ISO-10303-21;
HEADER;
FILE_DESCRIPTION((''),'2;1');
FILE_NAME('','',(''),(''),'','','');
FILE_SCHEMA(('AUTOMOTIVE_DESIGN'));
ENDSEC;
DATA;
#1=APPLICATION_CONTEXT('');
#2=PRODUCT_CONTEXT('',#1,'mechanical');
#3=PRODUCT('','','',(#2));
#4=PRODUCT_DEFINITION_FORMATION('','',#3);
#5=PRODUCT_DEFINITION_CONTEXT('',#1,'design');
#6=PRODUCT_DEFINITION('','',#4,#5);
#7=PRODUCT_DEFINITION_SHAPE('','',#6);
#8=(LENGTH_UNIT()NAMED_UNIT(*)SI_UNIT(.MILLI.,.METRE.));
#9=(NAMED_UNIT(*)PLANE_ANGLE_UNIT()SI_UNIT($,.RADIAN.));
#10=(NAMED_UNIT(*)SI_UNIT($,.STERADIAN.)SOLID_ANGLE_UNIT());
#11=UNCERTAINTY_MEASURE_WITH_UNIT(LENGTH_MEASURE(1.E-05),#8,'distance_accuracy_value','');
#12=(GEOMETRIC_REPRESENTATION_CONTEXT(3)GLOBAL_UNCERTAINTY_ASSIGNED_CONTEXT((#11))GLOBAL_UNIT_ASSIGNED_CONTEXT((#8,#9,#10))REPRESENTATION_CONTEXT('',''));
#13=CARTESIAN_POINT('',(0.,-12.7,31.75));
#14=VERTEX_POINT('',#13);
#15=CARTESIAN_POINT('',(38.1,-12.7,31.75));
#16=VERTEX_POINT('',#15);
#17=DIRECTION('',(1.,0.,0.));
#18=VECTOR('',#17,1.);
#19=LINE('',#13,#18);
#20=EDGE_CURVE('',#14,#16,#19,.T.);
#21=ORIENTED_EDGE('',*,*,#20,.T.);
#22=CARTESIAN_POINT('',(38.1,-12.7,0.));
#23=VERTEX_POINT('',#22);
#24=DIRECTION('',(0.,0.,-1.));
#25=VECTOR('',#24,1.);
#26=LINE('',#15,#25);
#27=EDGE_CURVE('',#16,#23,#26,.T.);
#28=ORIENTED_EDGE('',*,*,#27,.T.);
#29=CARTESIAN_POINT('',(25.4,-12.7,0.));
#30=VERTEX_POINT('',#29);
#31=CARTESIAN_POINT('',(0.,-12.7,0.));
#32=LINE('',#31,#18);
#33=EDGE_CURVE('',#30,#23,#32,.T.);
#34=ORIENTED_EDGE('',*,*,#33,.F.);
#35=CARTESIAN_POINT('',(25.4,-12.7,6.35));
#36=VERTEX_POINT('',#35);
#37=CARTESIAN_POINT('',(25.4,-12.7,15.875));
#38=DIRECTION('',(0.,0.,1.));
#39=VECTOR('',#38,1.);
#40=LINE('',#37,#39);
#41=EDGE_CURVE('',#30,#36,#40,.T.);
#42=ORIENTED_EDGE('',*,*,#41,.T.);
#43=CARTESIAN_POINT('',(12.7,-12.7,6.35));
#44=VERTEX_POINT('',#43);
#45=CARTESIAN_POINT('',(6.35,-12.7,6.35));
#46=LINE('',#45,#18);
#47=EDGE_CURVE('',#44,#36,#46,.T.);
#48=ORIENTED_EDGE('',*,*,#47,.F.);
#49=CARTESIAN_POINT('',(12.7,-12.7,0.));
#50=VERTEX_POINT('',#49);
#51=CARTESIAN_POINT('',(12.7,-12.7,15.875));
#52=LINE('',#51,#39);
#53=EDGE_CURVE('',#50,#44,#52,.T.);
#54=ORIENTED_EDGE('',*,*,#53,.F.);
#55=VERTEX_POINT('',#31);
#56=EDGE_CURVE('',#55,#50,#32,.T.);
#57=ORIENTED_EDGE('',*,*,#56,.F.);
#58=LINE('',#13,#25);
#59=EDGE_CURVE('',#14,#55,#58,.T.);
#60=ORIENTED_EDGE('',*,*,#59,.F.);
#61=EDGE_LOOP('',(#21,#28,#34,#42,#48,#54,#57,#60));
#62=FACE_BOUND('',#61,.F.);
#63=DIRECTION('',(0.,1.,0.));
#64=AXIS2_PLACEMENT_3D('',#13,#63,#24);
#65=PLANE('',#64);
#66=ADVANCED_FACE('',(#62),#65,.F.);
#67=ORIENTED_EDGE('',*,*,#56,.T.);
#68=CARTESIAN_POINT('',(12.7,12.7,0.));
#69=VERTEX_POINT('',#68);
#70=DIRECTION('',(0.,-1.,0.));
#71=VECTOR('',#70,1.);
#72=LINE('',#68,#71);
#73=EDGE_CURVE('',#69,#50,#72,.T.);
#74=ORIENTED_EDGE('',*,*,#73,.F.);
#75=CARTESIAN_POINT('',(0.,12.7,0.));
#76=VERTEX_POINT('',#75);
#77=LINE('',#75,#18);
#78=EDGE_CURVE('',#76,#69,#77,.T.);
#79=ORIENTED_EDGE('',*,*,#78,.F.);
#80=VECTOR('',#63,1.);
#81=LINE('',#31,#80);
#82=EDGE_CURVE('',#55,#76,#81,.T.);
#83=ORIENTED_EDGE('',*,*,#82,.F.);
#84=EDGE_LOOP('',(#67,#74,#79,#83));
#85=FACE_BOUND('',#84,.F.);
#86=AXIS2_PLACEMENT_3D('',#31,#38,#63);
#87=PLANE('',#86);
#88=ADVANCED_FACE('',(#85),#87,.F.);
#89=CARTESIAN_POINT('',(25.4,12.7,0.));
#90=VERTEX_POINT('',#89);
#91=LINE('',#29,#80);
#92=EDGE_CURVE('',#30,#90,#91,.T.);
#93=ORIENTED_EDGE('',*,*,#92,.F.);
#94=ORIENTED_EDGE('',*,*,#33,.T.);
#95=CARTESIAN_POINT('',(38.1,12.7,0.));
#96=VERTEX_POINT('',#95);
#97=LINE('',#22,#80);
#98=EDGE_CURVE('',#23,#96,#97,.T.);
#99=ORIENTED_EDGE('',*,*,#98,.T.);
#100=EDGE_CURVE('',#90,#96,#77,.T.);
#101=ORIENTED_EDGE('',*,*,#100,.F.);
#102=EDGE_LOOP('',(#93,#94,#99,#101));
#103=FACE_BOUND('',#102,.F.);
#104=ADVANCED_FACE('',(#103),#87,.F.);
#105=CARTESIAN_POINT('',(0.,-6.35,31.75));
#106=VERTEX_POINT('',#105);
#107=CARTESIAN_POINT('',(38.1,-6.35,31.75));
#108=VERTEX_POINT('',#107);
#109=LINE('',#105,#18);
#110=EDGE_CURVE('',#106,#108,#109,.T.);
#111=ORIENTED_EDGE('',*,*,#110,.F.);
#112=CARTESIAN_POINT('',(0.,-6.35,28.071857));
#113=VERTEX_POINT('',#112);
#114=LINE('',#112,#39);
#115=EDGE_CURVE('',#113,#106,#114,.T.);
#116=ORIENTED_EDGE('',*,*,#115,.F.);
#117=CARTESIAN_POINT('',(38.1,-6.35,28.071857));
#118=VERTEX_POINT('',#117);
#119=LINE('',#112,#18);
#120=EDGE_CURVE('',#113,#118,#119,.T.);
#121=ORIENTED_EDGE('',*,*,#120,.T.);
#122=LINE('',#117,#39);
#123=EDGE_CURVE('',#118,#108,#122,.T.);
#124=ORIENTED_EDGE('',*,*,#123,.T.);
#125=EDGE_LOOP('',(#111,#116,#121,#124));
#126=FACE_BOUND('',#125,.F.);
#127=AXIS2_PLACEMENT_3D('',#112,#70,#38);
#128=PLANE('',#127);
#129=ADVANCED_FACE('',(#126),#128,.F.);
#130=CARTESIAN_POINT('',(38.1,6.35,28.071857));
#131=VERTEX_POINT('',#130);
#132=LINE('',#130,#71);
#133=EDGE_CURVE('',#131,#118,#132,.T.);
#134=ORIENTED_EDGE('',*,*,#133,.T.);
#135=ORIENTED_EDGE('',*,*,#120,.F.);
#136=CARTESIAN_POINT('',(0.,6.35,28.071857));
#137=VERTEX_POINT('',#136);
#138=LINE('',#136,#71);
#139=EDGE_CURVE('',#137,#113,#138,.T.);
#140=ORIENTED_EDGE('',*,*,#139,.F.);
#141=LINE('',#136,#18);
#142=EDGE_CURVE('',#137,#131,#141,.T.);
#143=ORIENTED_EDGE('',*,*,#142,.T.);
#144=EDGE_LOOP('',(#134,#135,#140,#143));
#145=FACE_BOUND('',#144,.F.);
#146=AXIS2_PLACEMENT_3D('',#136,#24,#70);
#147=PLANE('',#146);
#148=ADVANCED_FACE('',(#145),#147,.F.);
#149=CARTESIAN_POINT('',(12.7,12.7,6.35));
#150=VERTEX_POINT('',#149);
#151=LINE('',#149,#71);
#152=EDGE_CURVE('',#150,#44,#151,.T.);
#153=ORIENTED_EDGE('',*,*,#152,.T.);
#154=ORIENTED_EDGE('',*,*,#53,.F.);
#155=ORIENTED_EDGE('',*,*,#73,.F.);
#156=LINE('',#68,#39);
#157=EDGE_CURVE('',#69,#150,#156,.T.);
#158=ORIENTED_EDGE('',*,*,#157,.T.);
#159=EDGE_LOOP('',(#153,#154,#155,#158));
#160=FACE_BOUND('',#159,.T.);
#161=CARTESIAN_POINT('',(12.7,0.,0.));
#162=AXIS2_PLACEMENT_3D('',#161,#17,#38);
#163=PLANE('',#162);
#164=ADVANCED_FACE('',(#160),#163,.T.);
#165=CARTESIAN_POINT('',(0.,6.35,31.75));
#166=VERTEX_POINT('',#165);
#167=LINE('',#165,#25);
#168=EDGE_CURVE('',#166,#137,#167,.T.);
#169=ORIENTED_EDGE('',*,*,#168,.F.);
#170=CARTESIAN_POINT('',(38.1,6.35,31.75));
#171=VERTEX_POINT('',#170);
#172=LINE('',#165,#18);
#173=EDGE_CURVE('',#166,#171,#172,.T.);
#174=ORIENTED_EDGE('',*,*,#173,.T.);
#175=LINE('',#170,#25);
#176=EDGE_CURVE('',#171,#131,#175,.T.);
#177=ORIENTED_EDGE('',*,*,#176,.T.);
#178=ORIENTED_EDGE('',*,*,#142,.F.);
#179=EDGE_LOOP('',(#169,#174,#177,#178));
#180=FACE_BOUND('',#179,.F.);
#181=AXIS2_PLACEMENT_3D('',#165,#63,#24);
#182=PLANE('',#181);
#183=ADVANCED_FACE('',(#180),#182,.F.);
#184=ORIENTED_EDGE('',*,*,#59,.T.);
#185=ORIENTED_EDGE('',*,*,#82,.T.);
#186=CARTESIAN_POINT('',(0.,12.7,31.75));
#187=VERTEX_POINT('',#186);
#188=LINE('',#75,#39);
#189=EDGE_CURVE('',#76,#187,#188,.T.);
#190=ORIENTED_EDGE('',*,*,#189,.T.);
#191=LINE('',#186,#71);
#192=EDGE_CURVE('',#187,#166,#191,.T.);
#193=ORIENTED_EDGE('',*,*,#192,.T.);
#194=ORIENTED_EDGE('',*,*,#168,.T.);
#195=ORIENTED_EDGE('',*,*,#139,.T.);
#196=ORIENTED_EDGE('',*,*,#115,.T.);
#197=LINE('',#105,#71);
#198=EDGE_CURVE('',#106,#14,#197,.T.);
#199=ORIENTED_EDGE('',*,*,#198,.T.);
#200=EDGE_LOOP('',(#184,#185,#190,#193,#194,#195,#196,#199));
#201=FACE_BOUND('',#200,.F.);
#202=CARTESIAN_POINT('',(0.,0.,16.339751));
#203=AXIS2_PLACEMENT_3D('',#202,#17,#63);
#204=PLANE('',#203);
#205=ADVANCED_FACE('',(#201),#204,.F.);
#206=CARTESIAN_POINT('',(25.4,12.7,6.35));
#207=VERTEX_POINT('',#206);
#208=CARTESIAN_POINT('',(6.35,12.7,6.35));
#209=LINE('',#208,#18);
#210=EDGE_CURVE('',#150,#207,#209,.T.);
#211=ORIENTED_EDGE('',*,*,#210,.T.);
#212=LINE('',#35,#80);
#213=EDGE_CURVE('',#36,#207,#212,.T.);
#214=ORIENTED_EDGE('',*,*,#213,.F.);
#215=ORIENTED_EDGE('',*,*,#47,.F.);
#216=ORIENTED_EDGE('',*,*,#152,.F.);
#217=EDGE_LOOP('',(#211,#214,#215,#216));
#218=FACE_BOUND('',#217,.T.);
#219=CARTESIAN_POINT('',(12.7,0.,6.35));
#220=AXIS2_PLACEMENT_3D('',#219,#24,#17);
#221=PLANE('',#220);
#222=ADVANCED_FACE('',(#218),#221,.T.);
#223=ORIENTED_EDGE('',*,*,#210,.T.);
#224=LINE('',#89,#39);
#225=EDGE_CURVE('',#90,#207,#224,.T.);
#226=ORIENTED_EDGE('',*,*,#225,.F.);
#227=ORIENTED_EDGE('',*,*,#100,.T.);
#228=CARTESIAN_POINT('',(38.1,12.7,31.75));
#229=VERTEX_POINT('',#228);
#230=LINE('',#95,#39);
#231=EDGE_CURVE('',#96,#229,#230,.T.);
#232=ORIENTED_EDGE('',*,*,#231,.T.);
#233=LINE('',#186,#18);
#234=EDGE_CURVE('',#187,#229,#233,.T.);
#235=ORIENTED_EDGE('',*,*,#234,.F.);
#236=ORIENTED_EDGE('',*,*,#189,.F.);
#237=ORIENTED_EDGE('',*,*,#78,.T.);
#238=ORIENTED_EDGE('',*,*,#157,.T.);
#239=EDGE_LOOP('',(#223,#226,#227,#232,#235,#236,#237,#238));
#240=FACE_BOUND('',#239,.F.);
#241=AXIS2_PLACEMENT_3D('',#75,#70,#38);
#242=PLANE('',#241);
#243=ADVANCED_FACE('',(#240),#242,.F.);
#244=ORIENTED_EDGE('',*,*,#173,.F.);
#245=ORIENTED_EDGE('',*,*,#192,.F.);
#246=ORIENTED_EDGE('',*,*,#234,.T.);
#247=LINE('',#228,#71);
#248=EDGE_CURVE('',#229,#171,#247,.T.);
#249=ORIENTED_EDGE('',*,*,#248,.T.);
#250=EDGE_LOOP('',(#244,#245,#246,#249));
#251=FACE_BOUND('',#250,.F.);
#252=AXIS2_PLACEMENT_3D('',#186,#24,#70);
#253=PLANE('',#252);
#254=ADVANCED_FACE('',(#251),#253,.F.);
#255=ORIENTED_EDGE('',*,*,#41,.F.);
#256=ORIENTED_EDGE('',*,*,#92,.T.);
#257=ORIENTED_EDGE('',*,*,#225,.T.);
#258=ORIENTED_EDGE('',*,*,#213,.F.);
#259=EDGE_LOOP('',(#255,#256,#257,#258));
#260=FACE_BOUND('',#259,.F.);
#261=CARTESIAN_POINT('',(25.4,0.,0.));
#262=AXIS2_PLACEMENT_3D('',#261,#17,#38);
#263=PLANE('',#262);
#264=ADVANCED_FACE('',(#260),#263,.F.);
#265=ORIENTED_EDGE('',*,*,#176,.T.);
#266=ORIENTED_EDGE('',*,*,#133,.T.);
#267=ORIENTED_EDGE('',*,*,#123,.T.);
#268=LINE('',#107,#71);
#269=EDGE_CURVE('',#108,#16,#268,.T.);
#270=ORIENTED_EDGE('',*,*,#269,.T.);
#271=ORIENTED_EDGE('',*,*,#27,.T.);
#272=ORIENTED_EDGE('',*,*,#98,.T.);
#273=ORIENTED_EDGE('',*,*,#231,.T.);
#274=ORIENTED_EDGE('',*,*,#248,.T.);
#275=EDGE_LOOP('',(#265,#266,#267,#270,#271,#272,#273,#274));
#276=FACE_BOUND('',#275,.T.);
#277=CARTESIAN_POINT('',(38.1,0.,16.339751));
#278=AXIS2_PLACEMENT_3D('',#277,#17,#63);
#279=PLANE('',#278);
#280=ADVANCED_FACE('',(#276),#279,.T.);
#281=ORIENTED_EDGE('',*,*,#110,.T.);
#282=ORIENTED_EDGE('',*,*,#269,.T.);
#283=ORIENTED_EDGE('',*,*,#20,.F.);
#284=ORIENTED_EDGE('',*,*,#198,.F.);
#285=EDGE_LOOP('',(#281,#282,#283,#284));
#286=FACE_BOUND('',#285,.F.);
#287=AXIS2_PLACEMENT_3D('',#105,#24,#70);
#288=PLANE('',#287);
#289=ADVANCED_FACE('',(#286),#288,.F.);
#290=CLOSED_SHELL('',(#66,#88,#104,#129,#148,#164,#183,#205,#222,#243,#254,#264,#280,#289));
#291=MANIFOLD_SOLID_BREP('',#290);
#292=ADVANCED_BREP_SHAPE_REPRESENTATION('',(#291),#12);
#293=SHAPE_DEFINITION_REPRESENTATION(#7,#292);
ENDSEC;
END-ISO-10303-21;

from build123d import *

# Parameters (mm, degrees)
F1_DEPTH = 38.1
F2_W     = 12.7
F2_H     = 6.35
F3_DEPTH = 25.4
F4_DEPTH = 50.8
F5_DEPTH = 25.4


with BuildPart() as f1:
    # F0 (on Right) → F1 (new body)
    with BuildSketch(Plane.YZ):
        Polygon((-12.7, 0), (0, 0), (12.7, 0), (12.7, 31.75), (6.35, 31.75), (6.35, 28.071857), (-6.35, 28.071857), (-6.35, 31.75), (-12.7, 31.75), align=None)
    extrude(amount=F1_DEPTH)

    # F2 (on Front) → F3 (cut)
    with BuildSketch(Plane.XZ):
        with Locations((19.05, 3.175)):
            Rectangle(F2_W, F2_H)
    extrude(amount=-F3_DEPTH, mode=Mode.SUBTRACT)

    # F2 (on Front) → F4 (cut)
    with BuildSketch(Plane.XZ):
        with Locations((19.05, 3.175)):
            Rectangle(F2_W, F2_H)
    extrude(amount=-F4_DEPTH, mode=Mode.SUBTRACT)

    # F2 (on Front) → F5 (cut)
    with BuildSketch(Plane.XZ):
        with Locations((19.05, 3.175)):
            Rectangle(F2_W, F2_H)
    extrude(amount=F5_DEPTH, mode=Mode.SUBTRACT)


solid = f1.part
